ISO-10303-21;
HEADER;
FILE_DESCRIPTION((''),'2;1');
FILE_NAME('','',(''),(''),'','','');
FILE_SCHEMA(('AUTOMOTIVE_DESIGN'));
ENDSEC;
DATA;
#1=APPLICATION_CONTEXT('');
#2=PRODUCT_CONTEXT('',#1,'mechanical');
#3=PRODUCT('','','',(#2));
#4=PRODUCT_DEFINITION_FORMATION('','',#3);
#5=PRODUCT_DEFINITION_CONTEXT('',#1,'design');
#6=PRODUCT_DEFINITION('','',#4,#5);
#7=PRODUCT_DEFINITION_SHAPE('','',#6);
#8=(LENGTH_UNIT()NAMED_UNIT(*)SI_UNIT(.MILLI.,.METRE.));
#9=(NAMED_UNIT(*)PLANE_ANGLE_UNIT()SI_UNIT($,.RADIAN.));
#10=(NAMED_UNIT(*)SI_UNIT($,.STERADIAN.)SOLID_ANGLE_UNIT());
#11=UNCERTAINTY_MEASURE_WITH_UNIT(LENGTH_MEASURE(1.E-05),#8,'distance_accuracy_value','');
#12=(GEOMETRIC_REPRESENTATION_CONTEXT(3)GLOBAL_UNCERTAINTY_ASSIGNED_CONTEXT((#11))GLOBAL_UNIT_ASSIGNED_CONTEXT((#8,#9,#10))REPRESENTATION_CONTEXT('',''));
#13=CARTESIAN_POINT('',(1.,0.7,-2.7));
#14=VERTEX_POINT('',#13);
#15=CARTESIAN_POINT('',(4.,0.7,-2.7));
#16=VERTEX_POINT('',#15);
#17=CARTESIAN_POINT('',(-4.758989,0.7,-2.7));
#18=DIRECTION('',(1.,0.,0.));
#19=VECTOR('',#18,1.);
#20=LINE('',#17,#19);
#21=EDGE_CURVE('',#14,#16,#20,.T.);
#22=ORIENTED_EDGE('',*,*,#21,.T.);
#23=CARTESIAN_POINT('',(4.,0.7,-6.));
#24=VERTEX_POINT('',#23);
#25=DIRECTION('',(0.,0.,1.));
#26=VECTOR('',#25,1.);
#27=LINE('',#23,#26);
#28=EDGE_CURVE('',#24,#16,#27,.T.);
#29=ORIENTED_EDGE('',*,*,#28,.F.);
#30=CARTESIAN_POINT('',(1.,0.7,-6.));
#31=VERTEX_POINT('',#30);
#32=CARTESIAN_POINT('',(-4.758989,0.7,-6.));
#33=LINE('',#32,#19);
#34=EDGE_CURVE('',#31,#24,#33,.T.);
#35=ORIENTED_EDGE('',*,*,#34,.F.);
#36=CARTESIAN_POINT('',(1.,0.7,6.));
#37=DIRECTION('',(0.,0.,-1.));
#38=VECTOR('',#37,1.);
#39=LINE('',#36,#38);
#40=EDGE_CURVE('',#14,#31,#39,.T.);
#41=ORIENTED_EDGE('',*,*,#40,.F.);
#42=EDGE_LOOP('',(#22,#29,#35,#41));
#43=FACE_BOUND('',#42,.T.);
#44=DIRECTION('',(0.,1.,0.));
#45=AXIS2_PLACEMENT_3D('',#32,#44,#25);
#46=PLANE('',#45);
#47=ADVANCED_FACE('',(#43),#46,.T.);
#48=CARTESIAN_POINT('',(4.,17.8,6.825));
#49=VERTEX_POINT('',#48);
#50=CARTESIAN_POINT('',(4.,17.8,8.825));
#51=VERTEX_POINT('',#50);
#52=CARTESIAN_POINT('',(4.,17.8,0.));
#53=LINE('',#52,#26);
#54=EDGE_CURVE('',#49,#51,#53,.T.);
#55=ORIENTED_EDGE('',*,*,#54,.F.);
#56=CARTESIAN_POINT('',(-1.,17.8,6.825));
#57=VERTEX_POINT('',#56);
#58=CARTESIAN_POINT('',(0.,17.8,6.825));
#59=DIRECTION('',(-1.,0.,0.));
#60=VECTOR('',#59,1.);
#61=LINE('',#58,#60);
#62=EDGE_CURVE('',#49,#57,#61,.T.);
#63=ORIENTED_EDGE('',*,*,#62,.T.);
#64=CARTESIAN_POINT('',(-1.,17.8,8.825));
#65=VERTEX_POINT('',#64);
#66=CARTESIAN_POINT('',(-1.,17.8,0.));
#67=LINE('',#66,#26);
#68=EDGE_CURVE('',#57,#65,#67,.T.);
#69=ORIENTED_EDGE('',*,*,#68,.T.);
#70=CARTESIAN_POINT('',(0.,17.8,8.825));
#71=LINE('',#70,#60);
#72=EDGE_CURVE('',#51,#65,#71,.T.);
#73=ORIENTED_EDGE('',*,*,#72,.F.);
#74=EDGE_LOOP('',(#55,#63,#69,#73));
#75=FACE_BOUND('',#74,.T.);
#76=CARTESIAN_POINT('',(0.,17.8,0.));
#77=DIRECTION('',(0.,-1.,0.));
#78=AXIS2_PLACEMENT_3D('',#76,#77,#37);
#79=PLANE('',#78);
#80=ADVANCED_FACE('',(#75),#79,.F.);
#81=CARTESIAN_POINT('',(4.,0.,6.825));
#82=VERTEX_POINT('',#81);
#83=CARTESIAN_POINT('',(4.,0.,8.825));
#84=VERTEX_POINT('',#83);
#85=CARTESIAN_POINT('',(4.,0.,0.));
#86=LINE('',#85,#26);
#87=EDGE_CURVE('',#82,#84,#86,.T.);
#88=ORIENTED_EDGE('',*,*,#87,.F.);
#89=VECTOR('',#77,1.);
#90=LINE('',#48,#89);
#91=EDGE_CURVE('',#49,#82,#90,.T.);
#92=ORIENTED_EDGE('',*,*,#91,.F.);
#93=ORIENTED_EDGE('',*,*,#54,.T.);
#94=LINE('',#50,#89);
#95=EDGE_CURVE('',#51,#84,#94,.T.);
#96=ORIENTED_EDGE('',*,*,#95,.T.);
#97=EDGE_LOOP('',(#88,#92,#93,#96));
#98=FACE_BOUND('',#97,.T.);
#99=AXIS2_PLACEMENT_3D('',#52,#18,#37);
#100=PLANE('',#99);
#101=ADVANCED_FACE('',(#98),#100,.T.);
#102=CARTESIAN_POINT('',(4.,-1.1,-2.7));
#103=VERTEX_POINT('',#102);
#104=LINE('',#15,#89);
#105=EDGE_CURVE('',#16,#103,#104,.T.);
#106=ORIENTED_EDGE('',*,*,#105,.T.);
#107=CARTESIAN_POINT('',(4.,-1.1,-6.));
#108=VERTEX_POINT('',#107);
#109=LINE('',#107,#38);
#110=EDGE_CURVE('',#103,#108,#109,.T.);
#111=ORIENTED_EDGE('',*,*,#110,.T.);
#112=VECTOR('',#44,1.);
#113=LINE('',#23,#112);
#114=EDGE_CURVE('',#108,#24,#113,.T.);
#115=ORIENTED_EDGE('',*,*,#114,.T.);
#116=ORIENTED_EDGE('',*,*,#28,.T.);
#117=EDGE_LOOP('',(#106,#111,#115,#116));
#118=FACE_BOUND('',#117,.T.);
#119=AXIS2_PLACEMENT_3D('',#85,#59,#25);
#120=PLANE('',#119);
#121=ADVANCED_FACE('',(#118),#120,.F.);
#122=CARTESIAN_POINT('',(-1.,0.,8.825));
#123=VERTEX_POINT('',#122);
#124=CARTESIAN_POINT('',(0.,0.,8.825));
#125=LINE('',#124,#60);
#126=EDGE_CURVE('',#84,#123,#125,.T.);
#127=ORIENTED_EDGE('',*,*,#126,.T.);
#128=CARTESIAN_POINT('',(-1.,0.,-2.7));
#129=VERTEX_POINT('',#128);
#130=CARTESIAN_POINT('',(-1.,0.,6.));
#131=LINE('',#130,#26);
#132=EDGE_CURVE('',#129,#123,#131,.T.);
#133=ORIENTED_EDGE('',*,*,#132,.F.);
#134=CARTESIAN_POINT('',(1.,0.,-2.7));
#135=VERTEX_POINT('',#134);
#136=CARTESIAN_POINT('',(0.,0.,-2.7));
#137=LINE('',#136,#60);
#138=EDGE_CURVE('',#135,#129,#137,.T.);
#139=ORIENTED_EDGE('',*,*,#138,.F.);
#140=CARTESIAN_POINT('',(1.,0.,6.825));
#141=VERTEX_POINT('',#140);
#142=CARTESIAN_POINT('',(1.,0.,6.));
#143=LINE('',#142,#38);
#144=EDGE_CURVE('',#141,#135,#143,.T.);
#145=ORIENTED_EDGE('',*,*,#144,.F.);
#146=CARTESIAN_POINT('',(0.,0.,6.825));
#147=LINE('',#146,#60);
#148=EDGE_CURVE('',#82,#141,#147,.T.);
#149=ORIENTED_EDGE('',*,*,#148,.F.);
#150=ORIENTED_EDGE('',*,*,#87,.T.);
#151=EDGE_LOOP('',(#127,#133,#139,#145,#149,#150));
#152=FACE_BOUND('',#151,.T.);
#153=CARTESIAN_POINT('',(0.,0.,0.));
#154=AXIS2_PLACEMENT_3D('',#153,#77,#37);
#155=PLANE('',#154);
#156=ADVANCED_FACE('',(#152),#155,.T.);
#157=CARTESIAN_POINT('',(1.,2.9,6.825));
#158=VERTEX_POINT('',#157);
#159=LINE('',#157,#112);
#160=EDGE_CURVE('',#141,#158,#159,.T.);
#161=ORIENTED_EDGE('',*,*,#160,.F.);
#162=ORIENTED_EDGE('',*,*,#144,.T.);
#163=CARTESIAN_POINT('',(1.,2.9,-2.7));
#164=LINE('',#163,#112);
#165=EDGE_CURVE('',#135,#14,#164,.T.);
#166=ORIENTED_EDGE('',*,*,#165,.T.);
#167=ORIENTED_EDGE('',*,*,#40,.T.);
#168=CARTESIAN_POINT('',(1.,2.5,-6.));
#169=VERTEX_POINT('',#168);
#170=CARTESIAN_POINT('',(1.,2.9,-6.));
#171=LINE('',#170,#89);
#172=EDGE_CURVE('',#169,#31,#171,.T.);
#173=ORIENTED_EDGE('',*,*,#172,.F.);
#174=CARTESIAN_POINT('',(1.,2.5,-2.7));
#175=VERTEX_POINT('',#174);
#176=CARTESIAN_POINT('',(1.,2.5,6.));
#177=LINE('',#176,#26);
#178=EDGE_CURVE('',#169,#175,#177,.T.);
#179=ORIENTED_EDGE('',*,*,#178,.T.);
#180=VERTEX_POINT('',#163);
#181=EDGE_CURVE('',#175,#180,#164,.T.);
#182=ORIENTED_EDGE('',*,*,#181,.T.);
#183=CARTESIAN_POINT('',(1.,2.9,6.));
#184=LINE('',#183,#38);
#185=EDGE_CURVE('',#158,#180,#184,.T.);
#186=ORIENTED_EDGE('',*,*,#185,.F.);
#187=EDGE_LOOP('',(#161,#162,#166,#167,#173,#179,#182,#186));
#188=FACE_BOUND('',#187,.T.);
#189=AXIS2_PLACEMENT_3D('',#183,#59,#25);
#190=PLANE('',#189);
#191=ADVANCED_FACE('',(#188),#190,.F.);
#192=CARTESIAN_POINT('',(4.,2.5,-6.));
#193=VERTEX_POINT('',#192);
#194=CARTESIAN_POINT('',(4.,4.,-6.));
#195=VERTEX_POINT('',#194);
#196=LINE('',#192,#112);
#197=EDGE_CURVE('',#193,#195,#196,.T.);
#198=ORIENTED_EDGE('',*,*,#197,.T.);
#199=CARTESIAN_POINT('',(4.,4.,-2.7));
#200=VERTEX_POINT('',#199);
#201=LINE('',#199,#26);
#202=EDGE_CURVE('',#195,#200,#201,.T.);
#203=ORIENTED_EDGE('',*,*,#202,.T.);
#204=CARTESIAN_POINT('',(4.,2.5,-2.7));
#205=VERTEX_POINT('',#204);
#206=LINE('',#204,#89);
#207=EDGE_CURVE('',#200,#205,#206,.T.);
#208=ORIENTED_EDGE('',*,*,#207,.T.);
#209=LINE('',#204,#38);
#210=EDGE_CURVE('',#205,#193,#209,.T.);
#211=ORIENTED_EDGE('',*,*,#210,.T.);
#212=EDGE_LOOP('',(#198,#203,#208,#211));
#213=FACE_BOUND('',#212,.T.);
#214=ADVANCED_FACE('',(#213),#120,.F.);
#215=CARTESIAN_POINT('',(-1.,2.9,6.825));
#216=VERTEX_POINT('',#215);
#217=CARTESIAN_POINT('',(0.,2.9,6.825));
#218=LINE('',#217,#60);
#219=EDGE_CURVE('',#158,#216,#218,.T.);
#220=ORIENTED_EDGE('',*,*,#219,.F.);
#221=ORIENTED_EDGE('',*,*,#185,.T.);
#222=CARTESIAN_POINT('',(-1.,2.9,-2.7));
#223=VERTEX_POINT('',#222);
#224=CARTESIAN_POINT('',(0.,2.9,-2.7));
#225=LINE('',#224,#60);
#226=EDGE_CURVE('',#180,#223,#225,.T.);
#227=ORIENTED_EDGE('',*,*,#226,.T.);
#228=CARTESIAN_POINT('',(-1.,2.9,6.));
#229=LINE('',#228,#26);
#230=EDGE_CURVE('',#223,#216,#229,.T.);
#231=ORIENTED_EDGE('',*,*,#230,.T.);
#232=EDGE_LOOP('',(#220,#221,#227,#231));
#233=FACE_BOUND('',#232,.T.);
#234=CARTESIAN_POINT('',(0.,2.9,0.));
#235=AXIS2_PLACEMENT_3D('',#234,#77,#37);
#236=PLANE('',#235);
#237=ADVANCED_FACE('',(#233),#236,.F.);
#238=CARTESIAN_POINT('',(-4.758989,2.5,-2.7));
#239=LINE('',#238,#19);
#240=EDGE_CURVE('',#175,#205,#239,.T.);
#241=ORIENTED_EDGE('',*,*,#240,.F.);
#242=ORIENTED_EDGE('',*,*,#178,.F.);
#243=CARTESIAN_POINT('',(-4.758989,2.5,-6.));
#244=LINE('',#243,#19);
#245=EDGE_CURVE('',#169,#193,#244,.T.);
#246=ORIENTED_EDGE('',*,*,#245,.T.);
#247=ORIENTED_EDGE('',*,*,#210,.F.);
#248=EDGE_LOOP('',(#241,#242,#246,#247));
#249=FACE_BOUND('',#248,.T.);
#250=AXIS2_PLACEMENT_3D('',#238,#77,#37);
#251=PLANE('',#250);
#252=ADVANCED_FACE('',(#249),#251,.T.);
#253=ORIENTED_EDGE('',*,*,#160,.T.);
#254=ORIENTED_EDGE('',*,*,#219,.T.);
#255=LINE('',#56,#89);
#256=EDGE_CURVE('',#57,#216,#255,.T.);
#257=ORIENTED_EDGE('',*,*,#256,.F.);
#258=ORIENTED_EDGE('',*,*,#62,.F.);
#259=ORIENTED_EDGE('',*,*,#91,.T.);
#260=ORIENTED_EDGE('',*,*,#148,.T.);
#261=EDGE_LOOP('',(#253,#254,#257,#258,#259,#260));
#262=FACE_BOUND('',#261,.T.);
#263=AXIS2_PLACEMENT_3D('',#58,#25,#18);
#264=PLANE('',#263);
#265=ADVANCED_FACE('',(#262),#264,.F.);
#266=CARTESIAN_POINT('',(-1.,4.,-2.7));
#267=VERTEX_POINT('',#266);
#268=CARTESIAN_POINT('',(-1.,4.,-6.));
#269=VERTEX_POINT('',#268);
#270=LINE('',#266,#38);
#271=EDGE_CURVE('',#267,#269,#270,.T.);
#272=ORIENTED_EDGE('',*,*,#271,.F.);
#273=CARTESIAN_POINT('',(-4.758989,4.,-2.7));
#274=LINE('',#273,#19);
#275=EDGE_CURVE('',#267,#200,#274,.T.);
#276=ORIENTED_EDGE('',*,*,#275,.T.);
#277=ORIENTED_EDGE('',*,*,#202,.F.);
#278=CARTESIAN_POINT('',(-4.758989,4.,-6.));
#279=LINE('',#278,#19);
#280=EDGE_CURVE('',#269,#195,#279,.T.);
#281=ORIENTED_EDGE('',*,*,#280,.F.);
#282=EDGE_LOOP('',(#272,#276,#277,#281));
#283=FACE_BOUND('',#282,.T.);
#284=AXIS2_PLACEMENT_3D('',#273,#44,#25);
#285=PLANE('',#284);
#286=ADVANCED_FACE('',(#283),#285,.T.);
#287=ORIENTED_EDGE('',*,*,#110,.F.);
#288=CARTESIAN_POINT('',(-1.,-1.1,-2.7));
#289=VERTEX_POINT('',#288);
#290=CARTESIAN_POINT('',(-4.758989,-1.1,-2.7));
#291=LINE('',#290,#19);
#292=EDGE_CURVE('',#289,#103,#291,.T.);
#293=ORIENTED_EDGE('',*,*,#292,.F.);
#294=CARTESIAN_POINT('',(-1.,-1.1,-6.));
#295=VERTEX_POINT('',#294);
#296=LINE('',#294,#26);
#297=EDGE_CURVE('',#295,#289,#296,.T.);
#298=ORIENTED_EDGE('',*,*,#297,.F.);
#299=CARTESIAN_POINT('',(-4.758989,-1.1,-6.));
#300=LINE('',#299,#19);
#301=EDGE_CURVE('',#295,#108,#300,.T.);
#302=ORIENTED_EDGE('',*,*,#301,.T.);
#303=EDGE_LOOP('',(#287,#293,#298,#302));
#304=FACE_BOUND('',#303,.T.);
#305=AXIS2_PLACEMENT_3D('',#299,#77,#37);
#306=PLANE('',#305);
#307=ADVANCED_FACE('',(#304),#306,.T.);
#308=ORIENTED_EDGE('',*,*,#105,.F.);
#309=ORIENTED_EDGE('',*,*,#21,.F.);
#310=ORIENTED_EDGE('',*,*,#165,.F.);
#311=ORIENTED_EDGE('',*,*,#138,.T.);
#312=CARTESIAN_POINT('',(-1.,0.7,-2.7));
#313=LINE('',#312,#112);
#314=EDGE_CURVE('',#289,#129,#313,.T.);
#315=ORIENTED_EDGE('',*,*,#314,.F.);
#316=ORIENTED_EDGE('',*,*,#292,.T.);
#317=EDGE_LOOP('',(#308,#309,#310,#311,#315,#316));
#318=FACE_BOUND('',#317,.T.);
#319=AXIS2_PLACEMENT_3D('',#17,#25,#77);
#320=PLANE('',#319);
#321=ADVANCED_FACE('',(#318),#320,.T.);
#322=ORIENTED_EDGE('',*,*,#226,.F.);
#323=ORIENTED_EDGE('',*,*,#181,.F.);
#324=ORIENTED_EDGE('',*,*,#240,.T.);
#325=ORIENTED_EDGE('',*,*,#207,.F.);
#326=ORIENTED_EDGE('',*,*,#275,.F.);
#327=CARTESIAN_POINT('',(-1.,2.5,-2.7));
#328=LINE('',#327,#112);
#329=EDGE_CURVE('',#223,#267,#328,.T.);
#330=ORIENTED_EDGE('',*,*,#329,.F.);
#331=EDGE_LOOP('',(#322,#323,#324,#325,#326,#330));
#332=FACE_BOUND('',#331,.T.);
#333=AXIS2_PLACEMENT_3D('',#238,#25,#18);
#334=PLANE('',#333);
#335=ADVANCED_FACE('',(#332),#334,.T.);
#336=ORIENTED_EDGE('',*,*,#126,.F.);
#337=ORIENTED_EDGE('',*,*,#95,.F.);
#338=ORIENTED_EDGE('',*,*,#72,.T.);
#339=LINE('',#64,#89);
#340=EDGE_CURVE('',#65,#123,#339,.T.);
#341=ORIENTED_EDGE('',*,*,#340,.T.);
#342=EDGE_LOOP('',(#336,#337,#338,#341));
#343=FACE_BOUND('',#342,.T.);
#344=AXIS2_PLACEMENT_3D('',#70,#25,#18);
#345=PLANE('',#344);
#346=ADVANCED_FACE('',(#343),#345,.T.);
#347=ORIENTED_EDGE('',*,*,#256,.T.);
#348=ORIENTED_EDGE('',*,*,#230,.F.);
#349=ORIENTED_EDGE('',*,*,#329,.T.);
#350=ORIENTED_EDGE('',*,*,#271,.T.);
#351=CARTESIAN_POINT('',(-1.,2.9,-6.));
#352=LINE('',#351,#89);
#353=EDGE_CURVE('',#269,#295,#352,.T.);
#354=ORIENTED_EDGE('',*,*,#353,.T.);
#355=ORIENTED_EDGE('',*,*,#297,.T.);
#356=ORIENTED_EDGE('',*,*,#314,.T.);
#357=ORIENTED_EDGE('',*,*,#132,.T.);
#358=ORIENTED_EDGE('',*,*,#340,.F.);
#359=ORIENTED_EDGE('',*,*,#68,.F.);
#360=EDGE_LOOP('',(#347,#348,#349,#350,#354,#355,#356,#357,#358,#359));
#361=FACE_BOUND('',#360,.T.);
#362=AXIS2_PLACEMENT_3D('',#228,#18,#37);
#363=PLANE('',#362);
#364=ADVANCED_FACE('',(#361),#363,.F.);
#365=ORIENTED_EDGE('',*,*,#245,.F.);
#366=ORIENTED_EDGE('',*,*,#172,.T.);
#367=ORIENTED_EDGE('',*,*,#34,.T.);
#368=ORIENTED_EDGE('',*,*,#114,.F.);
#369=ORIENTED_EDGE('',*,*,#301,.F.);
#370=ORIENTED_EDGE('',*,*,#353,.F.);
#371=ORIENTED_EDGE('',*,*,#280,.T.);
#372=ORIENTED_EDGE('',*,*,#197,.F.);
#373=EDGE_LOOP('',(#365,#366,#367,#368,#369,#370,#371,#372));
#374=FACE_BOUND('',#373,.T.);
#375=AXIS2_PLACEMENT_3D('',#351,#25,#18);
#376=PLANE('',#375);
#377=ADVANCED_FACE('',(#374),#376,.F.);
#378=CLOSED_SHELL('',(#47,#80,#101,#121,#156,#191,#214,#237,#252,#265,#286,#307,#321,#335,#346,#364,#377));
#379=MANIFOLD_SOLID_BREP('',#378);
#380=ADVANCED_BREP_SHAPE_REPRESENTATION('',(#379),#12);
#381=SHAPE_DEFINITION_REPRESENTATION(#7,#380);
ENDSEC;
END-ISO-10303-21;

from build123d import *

# Parameters (mm, degrees)
SKETCH_1_W      = 2
SKETCH_1_H      = 12
EXTRUDE_1_DEPTH = 2.9
EXTRUDE_START   = -2
SKETCH_2_W      = 3.3
SKETCH_2_H      = 1.5
SKETCH_2_H_2    = 1.8
EXTRUDE_2_DEPTH = 5
SKETCH_3_W      = 10.525
SKETCH_3_H      = 2.9
EXTRUDE_3_DEPTH = 2
EXTRUDE_START_2 = -2.9
SKETCH_5_W      = 5
SKETCH_5_H      = 1
EXTRUDE_5_DEPTH = 17.8


with BuildPart() as part:
    # 草图1 → 凸台-拉伸1 (new body)
    with BuildSketch(Plane(origin=(0, 0, 0), x_dir=(1, 0, 0), z_dir=(0, 1, 0))):
        Rectangle(SKETCH_1_W, SKETCH_1_H)
    extrude(amount=EXTRUDE_1_DEPTH)

    # 草图2 → 凸台-拉伸2 (add)
    with BuildSketch(Plane(origin=(1, 0, 0), x_dir=(0, 0, -1), z_dir=(1, 0, 0)).offset(EXTRUDE_START)):
        with Locations((4.35, 3.25)):
            Rectangle(SKETCH_2_W, SKETCH_2_H)
        with Locations((4.35, -0.2)):
            Rectangle(SKETCH_2_W, SKETCH_2_H_2)
    extrude(amount=EXTRUDE_2_DEPTH)

    # 草图3 → 凸台-拉伸3 (add)
    with BuildSketch(Plane.ZY.offset(1)):
        with Locations((2.5625, 1.45)):
            Rectangle(SKETCH_3_W, SKETCH_3_H)
    extrude(amount=-EXTRUDE_3_DEPTH)

    # 草图5 → 凸台-拉伸5 (add)
    with BuildSketch(Plane(origin=(0, 2.9, 0), x_dir=(1, 0, 0), z_dir=(0, 1, 0)).offset(EXTRUDE_START_2)):
        with Locations((1.5, -7.325)):
            Rectangle(SKETCH_5_W, SKETCH_5_H)
        with Locations((1.5, -8.325)):
            Rectangle(SKETCH_5_W, SKETCH_5_H)
    extrude(amount=EXTRUDE_5_DEPTH)


solid = part.part
